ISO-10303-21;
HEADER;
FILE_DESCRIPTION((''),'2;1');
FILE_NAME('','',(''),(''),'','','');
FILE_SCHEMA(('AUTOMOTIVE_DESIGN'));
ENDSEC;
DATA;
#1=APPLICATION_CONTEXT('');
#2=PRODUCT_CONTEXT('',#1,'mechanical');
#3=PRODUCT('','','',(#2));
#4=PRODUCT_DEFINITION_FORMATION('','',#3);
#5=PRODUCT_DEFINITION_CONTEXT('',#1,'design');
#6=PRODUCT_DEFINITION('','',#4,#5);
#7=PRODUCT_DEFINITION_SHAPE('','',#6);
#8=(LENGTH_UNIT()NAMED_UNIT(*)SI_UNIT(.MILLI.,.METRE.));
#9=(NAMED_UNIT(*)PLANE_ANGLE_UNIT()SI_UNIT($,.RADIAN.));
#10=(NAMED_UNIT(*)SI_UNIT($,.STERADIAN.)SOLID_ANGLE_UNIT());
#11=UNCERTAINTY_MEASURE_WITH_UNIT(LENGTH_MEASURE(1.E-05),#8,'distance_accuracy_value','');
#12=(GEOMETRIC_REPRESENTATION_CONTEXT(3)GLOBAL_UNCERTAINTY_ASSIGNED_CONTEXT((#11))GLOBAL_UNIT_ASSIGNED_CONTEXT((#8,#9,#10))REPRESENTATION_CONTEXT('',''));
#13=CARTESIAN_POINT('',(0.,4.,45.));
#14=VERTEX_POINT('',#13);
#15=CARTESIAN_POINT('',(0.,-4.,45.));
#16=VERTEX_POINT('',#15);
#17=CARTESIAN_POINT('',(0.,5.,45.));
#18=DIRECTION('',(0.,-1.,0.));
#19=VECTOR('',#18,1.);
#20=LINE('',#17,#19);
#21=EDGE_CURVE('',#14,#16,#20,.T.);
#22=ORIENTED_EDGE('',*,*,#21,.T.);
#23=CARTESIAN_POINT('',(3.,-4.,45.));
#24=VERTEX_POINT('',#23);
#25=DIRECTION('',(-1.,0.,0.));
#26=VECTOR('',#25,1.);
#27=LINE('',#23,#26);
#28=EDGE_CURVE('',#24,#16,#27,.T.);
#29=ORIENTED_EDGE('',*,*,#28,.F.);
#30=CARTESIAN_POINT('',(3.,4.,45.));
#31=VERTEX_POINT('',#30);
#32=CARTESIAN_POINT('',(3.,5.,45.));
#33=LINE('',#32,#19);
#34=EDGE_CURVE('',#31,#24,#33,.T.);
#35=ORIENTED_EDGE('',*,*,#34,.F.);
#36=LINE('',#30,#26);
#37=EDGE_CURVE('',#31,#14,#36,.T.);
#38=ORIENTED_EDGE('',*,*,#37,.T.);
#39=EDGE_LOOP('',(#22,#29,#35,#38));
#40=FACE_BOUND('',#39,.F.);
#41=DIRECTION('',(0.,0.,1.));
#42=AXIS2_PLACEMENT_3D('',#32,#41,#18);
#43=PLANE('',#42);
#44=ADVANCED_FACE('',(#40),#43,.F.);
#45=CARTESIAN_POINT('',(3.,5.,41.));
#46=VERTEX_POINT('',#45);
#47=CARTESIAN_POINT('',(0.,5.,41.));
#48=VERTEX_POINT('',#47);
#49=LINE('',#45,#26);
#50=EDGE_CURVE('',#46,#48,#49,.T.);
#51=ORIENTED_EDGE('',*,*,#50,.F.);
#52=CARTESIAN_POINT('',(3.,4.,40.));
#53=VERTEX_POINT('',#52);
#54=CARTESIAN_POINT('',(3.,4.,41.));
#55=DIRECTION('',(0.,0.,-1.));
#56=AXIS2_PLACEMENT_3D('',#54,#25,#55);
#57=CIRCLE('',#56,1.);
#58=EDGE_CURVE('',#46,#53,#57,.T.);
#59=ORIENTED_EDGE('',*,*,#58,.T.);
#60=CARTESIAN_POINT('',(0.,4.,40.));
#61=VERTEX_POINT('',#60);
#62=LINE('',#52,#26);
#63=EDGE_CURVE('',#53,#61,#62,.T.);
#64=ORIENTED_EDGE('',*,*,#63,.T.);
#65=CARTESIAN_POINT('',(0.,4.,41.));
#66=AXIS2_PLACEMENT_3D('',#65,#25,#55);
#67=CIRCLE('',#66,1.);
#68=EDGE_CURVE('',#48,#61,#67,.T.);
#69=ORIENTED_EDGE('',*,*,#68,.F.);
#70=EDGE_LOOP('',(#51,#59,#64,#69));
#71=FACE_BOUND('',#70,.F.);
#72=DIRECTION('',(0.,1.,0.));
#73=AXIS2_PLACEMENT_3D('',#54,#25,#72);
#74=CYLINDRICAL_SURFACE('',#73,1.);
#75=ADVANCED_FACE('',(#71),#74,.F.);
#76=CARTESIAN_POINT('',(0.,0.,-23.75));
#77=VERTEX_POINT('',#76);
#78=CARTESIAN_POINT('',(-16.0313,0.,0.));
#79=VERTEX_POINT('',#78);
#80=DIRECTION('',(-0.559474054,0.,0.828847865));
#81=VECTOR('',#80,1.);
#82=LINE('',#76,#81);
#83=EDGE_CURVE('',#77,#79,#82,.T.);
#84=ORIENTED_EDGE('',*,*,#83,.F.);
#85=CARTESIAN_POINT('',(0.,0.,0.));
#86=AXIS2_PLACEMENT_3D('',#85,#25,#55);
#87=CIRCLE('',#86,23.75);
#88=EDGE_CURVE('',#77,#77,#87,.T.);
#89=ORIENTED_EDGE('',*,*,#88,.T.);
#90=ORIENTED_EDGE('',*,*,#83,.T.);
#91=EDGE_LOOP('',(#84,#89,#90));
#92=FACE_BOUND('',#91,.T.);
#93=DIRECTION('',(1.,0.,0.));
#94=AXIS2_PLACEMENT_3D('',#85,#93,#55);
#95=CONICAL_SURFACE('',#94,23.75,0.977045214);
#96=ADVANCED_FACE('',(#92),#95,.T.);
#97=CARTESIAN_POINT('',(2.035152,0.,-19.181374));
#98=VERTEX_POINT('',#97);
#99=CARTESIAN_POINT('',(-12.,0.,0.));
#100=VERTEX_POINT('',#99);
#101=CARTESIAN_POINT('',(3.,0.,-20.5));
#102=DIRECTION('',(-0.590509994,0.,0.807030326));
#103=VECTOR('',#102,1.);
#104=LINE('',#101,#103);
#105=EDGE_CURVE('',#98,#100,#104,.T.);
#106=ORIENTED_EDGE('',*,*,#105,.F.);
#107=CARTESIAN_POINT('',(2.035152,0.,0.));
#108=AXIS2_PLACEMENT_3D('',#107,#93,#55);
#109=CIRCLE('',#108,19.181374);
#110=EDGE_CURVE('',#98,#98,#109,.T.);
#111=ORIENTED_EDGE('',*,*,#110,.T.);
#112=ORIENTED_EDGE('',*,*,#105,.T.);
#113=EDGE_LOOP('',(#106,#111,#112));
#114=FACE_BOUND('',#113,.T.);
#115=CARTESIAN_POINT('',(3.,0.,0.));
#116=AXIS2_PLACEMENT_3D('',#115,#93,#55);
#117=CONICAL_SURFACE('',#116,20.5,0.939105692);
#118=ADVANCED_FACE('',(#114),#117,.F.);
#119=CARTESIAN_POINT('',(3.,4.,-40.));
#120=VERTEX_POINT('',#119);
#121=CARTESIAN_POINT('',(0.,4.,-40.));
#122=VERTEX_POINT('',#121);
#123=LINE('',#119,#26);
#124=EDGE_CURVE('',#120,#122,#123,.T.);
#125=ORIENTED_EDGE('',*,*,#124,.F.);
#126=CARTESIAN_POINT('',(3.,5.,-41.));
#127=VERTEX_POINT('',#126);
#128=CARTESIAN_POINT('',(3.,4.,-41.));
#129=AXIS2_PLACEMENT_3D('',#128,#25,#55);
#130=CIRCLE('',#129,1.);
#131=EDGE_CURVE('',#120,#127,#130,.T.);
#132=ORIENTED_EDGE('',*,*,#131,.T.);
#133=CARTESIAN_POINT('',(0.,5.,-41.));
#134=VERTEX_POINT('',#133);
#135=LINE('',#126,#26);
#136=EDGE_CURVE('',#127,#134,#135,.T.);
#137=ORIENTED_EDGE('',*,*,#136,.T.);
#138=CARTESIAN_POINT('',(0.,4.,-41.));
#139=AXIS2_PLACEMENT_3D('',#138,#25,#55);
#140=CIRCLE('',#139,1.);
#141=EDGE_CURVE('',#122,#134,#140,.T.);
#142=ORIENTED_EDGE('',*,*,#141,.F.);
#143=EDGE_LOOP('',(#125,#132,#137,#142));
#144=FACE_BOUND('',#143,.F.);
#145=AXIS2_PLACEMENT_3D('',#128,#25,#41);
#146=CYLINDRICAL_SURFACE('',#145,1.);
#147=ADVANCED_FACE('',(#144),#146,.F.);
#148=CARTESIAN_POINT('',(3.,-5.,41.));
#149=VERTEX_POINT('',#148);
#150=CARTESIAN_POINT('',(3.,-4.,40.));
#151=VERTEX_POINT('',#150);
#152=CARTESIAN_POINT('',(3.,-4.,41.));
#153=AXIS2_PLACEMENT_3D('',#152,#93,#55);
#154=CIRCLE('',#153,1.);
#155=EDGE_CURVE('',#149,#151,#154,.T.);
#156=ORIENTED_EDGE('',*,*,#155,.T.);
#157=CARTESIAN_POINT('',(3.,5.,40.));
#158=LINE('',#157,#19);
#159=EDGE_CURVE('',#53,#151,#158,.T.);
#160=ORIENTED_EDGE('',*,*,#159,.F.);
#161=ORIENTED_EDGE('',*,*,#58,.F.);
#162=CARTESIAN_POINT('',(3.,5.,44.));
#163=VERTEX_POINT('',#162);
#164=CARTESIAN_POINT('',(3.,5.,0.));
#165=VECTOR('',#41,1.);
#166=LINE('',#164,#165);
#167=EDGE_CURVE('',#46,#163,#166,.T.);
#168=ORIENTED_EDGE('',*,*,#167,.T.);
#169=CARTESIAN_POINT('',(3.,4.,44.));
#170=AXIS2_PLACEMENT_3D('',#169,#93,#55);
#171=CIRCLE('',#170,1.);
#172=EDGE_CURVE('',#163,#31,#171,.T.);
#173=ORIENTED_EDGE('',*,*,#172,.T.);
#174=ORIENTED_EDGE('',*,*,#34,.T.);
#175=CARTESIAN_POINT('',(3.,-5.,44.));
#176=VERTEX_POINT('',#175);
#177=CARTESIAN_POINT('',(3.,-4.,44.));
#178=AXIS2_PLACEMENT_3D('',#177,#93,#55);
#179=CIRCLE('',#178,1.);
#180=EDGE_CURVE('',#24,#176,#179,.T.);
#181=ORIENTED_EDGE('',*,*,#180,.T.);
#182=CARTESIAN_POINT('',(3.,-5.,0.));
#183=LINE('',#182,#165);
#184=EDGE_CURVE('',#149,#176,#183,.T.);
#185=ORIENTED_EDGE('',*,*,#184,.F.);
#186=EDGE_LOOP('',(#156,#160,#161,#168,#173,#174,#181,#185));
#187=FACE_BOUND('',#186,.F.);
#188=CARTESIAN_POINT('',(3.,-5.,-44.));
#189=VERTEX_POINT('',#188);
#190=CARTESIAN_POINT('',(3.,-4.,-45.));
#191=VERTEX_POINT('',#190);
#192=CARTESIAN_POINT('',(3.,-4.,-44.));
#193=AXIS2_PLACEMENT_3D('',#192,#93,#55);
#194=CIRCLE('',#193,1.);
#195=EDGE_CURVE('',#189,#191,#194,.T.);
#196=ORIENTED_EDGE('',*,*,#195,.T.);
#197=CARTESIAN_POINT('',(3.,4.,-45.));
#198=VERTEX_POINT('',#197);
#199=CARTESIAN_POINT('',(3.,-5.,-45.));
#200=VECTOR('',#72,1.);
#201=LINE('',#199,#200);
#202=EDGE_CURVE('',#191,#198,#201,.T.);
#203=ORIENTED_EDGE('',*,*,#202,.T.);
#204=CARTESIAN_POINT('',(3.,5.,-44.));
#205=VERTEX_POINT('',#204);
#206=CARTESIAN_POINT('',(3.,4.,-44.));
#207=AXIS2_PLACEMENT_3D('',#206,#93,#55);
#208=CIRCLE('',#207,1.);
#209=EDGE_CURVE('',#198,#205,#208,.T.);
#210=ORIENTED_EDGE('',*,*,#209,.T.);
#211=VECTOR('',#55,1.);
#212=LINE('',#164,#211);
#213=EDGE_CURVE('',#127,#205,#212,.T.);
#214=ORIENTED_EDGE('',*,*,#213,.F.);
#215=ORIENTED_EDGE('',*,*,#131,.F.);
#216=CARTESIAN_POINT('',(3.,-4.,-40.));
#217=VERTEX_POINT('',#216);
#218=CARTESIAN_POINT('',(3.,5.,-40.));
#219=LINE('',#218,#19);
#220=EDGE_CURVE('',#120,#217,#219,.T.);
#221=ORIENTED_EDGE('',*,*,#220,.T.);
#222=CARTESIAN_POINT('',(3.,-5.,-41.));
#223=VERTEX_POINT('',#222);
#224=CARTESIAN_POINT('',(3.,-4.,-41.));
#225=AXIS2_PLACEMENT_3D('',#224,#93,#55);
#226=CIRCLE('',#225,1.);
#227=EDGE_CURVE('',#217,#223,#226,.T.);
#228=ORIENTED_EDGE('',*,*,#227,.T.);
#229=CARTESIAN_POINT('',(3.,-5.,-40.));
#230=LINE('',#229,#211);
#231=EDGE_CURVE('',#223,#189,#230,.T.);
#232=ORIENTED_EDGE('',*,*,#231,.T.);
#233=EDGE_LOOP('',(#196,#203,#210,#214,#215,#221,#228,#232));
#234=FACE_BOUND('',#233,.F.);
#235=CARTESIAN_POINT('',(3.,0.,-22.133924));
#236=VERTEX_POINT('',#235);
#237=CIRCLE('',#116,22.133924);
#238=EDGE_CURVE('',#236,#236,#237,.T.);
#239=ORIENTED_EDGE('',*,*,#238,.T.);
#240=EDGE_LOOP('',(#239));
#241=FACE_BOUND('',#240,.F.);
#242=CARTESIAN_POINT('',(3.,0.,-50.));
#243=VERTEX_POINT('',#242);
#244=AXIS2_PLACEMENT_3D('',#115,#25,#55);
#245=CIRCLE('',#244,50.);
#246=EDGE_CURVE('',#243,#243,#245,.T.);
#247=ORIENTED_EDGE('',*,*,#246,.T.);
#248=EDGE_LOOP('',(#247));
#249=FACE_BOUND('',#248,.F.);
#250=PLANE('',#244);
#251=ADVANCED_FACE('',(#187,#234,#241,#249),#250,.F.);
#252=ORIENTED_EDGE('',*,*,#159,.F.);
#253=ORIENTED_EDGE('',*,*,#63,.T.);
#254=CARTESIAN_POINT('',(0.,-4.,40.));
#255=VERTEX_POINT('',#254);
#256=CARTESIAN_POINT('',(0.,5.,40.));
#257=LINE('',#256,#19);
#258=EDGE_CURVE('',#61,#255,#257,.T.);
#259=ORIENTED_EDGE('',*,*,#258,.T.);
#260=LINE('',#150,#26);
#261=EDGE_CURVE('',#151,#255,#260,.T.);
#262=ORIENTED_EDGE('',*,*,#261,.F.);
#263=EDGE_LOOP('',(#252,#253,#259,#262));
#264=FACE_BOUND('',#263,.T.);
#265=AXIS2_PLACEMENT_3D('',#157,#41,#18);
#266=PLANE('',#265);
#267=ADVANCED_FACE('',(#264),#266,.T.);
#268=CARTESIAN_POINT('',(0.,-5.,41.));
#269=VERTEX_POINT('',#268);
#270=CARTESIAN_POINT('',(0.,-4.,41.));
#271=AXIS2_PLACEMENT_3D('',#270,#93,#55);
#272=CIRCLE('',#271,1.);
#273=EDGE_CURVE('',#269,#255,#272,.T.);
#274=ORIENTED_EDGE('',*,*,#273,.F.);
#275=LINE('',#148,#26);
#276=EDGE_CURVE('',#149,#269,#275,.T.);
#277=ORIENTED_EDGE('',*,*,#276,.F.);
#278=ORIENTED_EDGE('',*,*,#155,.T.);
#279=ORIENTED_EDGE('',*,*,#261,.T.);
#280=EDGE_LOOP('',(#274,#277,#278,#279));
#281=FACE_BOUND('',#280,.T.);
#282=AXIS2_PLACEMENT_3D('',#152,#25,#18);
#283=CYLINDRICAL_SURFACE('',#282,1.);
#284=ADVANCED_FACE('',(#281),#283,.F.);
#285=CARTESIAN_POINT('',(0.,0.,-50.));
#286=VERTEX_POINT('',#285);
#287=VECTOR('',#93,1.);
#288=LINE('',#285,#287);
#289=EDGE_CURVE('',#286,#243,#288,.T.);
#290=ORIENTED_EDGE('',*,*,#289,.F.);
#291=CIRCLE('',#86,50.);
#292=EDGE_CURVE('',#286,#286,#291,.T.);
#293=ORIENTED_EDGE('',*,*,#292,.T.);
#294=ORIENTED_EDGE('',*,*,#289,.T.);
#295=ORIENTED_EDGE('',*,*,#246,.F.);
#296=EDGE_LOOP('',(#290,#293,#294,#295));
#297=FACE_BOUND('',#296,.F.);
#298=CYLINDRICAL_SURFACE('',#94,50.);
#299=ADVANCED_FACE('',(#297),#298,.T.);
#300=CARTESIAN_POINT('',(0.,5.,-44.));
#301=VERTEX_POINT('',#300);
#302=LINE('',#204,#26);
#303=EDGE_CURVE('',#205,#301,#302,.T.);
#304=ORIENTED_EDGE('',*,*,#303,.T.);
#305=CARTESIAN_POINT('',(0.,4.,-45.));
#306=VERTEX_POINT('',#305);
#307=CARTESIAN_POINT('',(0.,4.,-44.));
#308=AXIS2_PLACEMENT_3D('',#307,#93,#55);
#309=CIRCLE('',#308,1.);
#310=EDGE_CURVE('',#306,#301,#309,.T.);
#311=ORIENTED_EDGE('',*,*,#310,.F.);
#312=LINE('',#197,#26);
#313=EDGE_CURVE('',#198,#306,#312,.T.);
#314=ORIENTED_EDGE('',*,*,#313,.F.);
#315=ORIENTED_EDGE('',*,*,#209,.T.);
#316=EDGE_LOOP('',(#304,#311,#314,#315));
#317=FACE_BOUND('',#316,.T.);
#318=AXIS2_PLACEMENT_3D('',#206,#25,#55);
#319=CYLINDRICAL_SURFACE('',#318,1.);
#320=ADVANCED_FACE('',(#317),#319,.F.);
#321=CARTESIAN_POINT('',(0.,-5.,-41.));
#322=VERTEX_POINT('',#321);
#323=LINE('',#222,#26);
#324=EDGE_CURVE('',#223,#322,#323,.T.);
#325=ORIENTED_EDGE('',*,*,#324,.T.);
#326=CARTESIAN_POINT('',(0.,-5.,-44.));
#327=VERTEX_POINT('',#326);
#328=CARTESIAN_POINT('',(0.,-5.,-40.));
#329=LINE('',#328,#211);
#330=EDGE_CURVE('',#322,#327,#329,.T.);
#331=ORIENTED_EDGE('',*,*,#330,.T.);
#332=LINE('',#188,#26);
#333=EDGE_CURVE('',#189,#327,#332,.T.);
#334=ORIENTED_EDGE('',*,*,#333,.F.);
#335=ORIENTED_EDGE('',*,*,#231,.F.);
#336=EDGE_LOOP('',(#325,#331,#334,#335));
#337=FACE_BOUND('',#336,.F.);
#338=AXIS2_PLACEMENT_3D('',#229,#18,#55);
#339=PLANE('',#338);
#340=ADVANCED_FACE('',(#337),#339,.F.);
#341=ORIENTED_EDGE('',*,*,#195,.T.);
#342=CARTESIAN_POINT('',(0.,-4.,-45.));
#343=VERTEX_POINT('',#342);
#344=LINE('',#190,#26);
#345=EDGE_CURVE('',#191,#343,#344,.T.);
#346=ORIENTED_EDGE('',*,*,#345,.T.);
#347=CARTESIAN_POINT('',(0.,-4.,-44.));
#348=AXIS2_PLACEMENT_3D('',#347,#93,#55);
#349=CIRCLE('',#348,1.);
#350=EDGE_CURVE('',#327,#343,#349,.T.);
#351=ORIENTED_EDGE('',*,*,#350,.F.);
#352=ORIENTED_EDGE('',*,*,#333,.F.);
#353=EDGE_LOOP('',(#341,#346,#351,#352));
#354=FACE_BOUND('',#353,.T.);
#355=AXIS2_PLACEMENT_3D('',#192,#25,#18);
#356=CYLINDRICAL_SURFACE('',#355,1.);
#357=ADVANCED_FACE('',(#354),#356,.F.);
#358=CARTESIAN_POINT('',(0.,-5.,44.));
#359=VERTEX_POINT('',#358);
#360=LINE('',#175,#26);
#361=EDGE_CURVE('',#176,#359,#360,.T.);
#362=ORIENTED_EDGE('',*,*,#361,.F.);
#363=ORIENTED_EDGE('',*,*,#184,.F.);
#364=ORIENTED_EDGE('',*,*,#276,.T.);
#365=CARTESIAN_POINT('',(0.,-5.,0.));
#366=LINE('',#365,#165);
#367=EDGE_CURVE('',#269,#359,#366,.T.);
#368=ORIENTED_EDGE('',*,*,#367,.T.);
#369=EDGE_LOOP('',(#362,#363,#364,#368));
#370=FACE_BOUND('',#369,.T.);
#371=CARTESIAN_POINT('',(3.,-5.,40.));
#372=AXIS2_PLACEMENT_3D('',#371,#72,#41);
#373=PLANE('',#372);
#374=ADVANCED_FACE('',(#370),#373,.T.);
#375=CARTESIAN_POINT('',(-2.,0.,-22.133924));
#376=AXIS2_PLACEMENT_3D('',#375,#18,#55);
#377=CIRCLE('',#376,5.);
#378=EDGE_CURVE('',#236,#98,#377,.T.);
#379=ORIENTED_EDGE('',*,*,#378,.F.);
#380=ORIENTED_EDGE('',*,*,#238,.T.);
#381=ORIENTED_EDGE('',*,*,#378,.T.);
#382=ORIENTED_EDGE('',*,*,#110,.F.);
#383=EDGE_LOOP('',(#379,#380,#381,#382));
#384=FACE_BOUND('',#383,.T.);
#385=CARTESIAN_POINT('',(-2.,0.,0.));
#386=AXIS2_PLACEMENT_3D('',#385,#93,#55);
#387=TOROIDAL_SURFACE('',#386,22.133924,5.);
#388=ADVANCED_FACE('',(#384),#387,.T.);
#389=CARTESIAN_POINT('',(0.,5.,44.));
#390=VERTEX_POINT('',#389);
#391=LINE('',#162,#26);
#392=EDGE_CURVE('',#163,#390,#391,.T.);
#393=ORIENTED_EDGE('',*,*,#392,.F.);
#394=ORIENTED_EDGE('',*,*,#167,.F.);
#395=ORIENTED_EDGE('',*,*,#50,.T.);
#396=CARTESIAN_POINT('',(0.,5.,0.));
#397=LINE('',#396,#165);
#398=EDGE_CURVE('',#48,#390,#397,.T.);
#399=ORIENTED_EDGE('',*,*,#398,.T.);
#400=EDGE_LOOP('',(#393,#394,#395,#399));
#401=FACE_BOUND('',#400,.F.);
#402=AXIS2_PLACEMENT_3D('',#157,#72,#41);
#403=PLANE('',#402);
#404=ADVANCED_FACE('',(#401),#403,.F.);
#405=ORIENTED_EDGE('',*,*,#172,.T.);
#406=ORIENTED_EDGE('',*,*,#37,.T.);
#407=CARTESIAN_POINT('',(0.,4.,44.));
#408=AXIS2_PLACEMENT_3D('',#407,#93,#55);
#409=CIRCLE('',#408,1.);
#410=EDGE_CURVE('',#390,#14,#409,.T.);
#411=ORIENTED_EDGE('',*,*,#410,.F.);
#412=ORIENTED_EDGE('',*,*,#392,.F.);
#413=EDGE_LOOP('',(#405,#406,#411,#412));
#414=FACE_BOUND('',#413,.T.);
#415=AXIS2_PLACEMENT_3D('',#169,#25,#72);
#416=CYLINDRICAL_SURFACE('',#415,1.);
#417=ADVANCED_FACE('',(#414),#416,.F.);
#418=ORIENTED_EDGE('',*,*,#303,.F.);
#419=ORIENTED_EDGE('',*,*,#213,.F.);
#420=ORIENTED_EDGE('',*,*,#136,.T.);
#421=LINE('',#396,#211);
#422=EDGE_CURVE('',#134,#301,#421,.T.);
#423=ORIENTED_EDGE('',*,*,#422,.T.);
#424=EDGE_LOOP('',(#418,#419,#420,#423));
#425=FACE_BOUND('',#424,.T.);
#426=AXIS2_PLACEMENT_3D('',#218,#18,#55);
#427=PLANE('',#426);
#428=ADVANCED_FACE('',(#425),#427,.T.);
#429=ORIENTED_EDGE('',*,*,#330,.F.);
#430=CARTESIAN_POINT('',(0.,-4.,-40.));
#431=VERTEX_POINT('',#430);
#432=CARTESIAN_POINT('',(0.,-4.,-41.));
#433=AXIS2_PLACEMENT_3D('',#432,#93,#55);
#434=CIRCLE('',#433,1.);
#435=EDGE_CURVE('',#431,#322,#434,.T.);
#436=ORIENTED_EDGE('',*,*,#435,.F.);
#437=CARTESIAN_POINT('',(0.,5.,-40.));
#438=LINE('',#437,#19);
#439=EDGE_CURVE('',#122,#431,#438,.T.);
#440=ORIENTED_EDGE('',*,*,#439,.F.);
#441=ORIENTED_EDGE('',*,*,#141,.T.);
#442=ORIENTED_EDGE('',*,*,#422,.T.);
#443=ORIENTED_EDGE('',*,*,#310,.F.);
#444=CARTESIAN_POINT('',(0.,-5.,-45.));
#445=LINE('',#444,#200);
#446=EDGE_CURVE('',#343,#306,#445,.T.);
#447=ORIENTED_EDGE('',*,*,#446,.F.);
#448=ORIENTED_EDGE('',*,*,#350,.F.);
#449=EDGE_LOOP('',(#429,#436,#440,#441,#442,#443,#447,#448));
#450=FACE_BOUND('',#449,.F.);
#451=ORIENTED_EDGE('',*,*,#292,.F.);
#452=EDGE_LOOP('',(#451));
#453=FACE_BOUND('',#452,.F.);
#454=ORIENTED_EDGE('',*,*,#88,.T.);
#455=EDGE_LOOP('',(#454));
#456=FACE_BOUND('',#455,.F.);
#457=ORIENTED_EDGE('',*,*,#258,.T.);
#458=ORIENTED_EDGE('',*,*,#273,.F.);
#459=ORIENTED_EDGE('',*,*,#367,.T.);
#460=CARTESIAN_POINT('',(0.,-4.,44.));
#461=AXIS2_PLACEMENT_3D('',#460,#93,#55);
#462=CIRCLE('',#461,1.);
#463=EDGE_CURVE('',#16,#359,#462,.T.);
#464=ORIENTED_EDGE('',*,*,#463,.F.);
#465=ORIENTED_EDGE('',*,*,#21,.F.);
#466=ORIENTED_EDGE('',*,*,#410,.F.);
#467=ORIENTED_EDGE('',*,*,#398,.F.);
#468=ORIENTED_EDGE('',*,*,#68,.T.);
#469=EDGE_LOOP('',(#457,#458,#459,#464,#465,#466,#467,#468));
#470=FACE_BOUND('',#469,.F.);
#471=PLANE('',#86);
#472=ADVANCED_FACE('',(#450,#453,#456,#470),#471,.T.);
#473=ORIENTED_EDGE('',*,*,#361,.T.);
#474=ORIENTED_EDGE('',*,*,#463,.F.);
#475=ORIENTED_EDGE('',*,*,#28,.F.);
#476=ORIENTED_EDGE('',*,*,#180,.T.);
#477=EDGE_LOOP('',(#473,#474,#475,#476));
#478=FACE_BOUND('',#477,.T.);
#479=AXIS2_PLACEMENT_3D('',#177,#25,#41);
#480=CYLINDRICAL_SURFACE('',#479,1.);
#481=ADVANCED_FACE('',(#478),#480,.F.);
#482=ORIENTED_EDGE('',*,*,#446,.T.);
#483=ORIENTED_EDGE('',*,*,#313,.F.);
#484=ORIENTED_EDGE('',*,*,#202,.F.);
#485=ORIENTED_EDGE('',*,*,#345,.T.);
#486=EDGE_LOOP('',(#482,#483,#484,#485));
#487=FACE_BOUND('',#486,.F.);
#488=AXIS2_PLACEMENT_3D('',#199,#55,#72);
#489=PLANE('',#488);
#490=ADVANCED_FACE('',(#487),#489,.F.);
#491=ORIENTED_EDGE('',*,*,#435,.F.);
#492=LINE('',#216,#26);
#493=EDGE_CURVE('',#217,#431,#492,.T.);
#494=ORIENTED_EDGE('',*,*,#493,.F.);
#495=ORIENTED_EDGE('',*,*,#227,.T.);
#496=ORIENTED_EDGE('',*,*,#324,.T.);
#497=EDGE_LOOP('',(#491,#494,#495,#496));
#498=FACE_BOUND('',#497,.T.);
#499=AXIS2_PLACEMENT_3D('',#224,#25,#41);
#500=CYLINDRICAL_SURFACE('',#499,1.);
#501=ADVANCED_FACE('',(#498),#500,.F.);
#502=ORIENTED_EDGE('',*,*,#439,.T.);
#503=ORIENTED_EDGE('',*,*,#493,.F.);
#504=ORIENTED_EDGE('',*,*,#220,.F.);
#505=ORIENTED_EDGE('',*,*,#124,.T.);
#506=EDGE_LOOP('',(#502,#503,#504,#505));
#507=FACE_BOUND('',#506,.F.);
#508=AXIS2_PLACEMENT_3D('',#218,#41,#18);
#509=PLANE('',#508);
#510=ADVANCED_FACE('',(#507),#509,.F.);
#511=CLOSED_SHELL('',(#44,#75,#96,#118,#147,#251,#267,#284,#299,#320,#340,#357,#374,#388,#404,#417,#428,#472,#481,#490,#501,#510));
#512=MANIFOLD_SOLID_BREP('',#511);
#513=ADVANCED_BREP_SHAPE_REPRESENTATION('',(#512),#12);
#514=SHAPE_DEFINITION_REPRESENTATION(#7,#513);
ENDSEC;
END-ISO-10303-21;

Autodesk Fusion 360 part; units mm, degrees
sketch "Sketch1" plane through (0, 0, 0) normal (0, 1, 0) x (1, 0, 0)
  line L0 (0, 0) -> (0, 23.75)
  line L1 (0, 0) -> (0, 50)
  line L2 (0, 50) -> (3, 50)
  line L3 (3, 50) -> (3, 0)
  line L4 (0, 0) -> (-16.0313, 0)
  line L5 (0, 23.75) -> (-16.0313, 0)
  line L6 (3, 0) -> (0, 0)
  dimension "d1" = 23.75
  dimension "d2" = 3
  dimension "d3" = 16.0313
revolve "Revolve1" add sketch "Sketch1" angle 360 about axis through (0, 0, 0) along (-1, 0, 0) contours L0 L1 L4 L5
revolve "Revolve2" add sketch "Sketch1" angle 360 about axis through (3, 0, 0) along (-1, 0, 0) contours L0 L1 L2 L3 L6
sketch "Sketch2" plane through (0, 0, 0) normal (0, 1, 0) x (1, 0, 0)
  line L0 (0, 0) -> (3, 0)
  line L1 (3, 0) -> (-12, 0)
  line L2 (3, 0) -> (3, 20.5)
  line L3 (3, 20.5) -> (-12, 0)
  line L4 (3, 20.5) -> (3, 0)
  dimension "d6" = 3
  dimension "d7" = 15
  dimension "d8" = 20.5
revolve "Revolve3" cut sketch "Sketch2" angle 360 about axis through (1.75, 0, 0) along (1, 0, 0)
sketch "Sketch3" plane through (3, 0, 0) normal (1, 0, 0) x (0, 0, -1)
  circle A0 centre (0, 0) radius 50
  line L0 (0, 0) -> (0, 5)
  line L1 (0, 5) -> (0, -5)
  line L2 (0, 5) -> (-45, 5)
  line L3 (0, -5) -> (-45, -5)
  line L4 (-45, 5) -> (-45, -5)
  line L5 (-45, 5) -> (-40, 5)
  line L6 (-40, 5) -> (-40, -5)
  line L7 (-40, -5) -> (-45, -5)
  line L8 (-45, -5) -> (-45, 5)
  line L9 (40, 5) -> (40, -5)
  line L10 (0, 5) -> (45, 5)
  line L11 (45, -5) -> (45, 5)
  line L12 (40, -5) -> (45, -5)
  line L13 (0, -5) -> (45, -5)
  circle A1 centre (0, 0) radius 20.5
  dimension "d16" = 5
  dimension "d17" = 10
  dimension "d18" = 45
  dimension "d19" = 5
extrude "Extrude2" cut sketch "Sketch3" against normal blind 3 contours L2 L3 L4 L5 L6 L7 L8 | L9 L10 L11 L12 L13
fillet "Fillet2" radius 1 8 edges at (1.5, 5, 45) (1.5, 5, 40) (1.5, -5, 40) (1.5, -5, 45) (1.5, 5, -45) (1.5, 5, -40) (1.5, -5, -40) (1.5, -5, -45)
fillet "Fillet3" radius 5 1 edges at (3, 7.4131, 19.1127)
equation "d1 = ( 47.5 / 2 ) * 1 mm"
equation "d3 = ( 1.60313 * 10 ) * 1 mm"
equation "d7 = 18.000 mm - 3 mm"
equation "d8 = 23.5 mm - 3 mm"
